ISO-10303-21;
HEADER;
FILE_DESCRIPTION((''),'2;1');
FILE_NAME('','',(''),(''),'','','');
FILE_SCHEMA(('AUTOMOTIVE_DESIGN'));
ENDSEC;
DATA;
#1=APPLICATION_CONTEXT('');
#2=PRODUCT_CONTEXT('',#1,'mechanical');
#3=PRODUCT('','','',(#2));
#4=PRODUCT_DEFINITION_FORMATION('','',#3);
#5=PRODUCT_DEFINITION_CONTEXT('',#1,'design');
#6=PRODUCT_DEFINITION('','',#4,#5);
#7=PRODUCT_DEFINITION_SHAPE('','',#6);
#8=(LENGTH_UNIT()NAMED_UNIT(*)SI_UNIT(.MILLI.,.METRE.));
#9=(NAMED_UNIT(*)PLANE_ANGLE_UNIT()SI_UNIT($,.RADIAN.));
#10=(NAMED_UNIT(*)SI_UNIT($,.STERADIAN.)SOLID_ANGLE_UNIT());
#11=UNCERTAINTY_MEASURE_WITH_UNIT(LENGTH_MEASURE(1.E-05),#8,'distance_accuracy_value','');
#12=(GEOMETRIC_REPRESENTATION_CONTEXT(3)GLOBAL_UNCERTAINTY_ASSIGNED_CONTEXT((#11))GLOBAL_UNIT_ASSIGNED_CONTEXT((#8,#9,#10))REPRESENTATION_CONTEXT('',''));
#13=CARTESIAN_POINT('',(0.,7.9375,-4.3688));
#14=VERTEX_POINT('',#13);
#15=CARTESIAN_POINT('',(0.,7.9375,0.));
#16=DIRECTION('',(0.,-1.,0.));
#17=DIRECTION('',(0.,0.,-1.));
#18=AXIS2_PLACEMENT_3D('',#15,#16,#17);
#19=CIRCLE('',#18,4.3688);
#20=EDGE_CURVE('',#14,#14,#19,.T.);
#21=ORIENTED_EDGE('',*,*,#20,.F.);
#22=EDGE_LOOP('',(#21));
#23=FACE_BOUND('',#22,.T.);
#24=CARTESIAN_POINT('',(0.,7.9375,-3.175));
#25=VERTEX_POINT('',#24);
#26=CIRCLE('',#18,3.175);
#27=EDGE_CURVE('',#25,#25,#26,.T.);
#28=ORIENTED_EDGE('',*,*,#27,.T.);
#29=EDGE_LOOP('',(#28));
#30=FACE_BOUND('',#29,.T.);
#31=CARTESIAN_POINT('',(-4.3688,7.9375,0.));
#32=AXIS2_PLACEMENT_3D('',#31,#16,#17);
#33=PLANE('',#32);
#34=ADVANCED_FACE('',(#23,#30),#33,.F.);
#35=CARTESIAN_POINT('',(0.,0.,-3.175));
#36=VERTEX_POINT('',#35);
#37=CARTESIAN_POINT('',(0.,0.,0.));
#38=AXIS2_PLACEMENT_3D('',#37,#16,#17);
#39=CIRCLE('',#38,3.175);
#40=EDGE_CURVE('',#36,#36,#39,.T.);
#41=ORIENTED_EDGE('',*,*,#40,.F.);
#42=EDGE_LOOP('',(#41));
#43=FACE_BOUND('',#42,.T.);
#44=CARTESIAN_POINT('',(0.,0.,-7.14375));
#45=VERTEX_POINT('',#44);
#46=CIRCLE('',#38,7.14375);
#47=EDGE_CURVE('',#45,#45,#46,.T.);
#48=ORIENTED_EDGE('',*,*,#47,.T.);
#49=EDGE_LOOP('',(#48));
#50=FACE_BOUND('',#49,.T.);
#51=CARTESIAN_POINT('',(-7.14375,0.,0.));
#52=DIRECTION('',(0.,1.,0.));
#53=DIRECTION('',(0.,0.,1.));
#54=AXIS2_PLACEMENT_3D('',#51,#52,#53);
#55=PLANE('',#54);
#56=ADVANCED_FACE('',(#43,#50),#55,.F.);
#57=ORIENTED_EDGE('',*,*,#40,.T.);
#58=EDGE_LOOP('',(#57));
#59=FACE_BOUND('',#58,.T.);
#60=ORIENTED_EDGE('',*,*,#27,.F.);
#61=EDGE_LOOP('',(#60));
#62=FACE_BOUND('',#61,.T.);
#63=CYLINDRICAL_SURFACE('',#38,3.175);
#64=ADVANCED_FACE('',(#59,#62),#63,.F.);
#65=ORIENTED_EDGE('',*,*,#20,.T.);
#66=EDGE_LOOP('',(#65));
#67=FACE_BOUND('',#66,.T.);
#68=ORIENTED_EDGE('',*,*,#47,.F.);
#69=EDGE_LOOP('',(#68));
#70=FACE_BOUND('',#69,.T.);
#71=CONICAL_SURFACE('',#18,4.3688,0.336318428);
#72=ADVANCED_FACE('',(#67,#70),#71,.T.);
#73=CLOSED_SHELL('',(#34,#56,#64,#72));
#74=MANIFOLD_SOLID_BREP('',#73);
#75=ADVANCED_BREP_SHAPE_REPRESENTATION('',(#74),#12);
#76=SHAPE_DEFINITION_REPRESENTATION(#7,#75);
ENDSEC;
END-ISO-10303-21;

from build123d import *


with BuildPart() as part:
    # Sketch1 → Revolve1 (revolve)
    with BuildSketch(Plane.XY):
        Polygon((-4.3688, 7.9375), (-7.14375, 0), (-3.175, 0), (-3.175, 7.9375), align=None)
    revolve(axis=Axis((0, 0, 0), (0, 1, 0)))


solid = part.part
